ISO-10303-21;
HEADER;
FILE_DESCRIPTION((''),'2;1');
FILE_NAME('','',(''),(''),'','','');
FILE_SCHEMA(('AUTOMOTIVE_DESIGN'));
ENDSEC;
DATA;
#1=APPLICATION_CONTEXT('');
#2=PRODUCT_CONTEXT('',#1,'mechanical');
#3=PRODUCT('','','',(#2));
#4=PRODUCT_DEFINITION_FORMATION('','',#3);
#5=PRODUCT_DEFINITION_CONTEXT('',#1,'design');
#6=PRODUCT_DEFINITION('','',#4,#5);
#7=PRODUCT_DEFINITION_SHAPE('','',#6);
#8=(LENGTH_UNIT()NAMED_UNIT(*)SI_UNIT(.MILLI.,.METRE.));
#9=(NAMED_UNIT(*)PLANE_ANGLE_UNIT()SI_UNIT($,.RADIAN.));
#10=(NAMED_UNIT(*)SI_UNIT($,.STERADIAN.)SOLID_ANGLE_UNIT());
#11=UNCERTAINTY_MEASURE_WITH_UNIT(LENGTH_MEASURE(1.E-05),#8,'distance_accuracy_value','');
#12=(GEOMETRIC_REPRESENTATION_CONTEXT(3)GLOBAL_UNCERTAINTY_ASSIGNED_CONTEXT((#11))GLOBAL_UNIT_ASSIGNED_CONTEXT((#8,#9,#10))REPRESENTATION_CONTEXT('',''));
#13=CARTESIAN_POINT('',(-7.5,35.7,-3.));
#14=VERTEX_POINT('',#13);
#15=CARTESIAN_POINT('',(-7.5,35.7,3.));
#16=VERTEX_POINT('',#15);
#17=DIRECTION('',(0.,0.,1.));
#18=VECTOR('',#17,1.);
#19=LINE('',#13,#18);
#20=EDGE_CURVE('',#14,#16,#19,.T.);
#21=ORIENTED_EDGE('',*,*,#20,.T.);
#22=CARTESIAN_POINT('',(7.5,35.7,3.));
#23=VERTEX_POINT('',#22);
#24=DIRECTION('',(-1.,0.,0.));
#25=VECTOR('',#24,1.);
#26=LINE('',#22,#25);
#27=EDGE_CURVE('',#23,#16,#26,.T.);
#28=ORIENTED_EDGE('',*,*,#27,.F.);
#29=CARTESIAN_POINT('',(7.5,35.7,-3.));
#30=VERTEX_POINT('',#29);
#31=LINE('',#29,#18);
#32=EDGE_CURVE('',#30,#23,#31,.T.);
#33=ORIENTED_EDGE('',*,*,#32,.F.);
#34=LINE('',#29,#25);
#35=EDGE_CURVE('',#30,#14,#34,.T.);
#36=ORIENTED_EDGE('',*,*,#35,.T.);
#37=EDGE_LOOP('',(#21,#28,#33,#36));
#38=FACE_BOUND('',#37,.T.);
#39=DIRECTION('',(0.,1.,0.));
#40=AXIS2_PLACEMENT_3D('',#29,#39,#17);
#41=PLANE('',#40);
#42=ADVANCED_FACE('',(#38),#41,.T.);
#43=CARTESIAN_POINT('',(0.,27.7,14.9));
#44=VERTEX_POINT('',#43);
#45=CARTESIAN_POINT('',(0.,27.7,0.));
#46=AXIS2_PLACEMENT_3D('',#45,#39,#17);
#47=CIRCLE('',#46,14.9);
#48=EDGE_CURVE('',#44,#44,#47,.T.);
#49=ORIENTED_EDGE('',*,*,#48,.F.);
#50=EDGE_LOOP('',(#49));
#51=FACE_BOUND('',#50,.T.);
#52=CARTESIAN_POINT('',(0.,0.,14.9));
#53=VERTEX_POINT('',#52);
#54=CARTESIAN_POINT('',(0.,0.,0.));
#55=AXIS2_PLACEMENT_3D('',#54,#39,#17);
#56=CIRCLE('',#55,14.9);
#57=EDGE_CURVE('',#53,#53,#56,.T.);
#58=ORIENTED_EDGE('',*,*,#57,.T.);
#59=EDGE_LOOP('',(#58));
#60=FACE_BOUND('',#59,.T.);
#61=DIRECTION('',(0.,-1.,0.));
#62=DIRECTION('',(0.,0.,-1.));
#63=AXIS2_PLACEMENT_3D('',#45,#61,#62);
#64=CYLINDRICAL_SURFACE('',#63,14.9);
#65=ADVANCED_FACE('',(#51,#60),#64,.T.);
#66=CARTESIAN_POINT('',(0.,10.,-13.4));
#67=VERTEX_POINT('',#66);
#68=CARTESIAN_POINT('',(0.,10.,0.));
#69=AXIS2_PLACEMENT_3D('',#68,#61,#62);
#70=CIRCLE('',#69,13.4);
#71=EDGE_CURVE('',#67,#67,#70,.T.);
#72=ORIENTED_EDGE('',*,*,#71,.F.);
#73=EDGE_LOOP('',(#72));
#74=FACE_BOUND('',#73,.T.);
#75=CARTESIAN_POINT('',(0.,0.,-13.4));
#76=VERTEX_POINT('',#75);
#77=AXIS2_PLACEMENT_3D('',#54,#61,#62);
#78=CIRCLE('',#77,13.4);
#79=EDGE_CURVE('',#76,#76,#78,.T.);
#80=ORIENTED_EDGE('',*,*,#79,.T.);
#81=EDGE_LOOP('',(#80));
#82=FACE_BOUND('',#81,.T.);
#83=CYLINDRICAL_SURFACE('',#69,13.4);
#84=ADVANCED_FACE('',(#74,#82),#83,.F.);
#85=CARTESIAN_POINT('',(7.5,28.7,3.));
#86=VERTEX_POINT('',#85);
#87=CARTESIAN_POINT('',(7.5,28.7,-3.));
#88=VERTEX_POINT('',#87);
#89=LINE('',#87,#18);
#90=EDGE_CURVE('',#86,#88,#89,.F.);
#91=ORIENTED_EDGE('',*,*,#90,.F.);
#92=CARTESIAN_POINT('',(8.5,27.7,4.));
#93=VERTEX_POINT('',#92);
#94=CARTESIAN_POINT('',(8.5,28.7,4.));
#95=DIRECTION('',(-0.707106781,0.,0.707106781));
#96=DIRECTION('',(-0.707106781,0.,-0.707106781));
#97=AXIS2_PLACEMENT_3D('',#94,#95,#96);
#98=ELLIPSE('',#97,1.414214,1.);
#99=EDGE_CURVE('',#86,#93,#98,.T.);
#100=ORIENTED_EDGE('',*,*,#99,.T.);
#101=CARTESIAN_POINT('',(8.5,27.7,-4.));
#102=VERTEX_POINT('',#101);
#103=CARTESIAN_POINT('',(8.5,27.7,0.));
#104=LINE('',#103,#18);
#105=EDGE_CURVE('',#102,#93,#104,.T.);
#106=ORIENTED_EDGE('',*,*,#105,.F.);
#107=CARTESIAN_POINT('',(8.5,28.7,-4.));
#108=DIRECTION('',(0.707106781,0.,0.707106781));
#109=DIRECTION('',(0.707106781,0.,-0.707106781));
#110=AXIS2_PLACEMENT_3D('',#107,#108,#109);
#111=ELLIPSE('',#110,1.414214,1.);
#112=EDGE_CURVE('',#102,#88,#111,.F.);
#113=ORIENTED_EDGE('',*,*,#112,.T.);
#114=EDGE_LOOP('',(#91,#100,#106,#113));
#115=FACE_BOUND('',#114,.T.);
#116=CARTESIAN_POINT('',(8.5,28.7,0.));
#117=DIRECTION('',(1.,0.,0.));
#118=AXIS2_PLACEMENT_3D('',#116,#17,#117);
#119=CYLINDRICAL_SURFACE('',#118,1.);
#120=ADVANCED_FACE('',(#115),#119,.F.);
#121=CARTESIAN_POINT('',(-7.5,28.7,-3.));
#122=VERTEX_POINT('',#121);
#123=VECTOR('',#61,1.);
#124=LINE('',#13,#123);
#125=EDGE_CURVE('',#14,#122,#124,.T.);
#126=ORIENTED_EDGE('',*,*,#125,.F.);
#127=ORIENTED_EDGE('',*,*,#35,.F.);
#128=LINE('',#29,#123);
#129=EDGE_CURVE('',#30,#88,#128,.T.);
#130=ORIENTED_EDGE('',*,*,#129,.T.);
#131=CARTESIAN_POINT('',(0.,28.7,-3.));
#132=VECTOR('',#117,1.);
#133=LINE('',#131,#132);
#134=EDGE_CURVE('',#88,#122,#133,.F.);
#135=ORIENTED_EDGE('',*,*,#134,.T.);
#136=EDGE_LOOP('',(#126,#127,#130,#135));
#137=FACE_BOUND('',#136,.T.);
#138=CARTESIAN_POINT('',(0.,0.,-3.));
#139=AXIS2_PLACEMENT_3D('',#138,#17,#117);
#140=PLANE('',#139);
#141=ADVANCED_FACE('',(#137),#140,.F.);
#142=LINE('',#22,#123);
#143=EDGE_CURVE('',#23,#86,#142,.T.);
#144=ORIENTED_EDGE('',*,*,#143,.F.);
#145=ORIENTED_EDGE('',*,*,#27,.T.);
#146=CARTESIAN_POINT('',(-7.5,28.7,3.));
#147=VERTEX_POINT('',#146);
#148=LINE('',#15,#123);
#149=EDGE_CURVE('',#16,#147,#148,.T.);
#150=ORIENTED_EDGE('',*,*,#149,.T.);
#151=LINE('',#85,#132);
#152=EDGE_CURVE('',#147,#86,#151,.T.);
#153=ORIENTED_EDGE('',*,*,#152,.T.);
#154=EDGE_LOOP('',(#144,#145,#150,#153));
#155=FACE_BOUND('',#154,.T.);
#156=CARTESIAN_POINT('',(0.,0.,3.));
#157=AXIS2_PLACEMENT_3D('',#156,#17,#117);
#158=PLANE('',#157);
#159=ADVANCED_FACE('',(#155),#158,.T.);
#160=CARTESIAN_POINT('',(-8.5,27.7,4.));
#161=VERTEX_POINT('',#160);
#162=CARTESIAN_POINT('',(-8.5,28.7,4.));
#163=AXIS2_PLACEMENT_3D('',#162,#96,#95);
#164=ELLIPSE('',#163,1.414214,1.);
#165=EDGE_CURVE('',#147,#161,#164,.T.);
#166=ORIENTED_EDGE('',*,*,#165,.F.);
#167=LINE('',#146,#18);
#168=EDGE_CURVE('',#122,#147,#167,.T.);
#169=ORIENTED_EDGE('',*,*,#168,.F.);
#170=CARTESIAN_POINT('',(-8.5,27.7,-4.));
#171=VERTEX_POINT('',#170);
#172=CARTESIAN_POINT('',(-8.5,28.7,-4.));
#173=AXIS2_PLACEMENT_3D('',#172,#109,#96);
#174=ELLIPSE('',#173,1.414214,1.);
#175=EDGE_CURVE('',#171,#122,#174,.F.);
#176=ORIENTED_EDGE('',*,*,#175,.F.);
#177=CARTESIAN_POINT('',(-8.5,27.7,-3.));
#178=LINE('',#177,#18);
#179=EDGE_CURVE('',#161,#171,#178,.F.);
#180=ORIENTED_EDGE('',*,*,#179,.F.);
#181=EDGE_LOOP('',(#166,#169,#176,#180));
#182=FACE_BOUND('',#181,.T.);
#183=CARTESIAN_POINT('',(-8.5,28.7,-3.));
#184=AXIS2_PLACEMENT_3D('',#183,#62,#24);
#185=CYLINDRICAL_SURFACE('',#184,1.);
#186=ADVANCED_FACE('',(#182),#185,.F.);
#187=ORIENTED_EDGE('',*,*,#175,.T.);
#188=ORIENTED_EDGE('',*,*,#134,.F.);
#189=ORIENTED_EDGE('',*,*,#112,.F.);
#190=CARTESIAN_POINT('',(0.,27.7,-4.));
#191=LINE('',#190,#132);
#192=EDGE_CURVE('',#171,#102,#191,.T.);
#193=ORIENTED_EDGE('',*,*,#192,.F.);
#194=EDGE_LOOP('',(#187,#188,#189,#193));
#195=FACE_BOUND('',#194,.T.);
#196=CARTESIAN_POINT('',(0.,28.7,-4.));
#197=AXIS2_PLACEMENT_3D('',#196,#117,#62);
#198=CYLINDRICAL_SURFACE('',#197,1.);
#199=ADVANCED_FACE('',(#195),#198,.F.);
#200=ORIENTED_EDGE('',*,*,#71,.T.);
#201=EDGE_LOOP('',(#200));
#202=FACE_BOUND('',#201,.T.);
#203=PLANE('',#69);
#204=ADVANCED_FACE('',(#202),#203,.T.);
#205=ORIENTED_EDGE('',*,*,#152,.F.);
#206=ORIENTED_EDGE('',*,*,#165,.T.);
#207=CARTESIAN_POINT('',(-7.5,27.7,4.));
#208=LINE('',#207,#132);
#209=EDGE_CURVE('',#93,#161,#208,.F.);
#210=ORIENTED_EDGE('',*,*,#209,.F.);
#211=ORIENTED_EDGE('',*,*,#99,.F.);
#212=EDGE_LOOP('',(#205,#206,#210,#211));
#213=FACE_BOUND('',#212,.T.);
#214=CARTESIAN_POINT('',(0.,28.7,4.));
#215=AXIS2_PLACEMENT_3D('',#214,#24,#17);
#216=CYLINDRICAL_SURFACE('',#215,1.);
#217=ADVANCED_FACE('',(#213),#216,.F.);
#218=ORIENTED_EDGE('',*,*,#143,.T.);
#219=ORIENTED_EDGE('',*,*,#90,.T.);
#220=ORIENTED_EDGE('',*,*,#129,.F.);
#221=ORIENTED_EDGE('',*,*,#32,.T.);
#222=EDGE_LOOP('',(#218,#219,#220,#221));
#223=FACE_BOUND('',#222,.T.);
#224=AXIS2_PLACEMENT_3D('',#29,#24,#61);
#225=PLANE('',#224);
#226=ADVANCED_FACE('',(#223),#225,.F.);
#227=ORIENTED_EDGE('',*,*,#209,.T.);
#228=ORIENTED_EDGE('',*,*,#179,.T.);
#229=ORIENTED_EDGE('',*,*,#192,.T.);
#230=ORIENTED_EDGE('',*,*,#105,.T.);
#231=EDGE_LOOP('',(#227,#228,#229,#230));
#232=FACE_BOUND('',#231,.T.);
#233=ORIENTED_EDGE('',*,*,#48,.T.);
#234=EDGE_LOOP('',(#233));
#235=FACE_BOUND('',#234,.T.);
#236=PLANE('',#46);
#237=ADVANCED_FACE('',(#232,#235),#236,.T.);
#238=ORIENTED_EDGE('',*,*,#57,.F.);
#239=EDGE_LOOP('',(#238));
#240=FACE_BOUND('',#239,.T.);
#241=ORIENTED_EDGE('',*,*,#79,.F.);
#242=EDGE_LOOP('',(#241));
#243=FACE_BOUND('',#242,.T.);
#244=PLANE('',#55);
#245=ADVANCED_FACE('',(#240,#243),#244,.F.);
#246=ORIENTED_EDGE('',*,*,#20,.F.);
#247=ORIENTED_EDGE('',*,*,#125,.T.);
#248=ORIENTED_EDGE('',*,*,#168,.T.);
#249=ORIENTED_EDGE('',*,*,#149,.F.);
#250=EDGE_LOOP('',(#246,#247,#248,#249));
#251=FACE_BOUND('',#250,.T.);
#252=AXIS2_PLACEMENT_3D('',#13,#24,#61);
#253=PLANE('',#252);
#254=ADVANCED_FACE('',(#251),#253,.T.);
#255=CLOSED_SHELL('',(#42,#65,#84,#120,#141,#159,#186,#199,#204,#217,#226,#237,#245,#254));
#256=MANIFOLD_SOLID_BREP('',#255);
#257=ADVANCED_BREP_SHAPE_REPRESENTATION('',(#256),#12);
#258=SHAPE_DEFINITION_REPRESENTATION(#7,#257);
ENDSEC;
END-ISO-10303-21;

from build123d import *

# Parameters (mm, degrees)
SKETCH1_R                = 14.9
BOSS_EXTRUDE1_DEPTH      = 27.7
SKETCH2_R                = 13.4
CUT_EXTRUDE1_DEPTH       = 10
BOSS_EXTRUDE2_DEPTH      = 3
BOSS_EXTRUDE2_DEPTH_BACK = 3
SKETCH3_W                = 15
SKETCH3_H                = 8
FILLET1_R                = 1


with BuildPart() as part:
    # Sketch1 → Boss-Extrude1 (new body)
    with BuildSketch(Plane(origin=(0, 0, 0), x_dir=(1, 0, 0), z_dir=(0, 1, 0))):
        Circle(SKETCH1_R)
    extrude(amount=BOSS_EXTRUDE1_DEPTH)

    # Sketch2 → Cut-Extrude1 (cut)
    with BuildSketch(Plane.XZ):
        Circle(SKETCH2_R)
    extrude(amount=-CUT_EXTRUDE1_DEPTH, mode=Mode.SUBTRACT)

    # Sketch3 → Boss-Extrude2 (add, two sides: drawn at the far end of the back side and taken through both)
    with BuildSketch(Plane.XY.offset(-BOSS_EXTRUDE2_DEPTH_BACK)):
        with Locations((0, 31.7)):
            Rectangle(SKETCH3_W, SKETCH3_H)
    extrude(amount=BOSS_EXTRUDE2_DEPTH + BOSS_EXTRUDE2_DEPTH_BACK)

    # Fillet1
    fillet1_edges = [part.edges().sort_by_distance(p)[0] for p in [
        (7.5, 27.7, 0),
        (0, 27.7, -3),
        (-7.5, 27.7, 0),
        (0, 27.7, 3),
    ]]
    fillet(fillet1_edges, radius=FILLET1_R)


solid = part.part
